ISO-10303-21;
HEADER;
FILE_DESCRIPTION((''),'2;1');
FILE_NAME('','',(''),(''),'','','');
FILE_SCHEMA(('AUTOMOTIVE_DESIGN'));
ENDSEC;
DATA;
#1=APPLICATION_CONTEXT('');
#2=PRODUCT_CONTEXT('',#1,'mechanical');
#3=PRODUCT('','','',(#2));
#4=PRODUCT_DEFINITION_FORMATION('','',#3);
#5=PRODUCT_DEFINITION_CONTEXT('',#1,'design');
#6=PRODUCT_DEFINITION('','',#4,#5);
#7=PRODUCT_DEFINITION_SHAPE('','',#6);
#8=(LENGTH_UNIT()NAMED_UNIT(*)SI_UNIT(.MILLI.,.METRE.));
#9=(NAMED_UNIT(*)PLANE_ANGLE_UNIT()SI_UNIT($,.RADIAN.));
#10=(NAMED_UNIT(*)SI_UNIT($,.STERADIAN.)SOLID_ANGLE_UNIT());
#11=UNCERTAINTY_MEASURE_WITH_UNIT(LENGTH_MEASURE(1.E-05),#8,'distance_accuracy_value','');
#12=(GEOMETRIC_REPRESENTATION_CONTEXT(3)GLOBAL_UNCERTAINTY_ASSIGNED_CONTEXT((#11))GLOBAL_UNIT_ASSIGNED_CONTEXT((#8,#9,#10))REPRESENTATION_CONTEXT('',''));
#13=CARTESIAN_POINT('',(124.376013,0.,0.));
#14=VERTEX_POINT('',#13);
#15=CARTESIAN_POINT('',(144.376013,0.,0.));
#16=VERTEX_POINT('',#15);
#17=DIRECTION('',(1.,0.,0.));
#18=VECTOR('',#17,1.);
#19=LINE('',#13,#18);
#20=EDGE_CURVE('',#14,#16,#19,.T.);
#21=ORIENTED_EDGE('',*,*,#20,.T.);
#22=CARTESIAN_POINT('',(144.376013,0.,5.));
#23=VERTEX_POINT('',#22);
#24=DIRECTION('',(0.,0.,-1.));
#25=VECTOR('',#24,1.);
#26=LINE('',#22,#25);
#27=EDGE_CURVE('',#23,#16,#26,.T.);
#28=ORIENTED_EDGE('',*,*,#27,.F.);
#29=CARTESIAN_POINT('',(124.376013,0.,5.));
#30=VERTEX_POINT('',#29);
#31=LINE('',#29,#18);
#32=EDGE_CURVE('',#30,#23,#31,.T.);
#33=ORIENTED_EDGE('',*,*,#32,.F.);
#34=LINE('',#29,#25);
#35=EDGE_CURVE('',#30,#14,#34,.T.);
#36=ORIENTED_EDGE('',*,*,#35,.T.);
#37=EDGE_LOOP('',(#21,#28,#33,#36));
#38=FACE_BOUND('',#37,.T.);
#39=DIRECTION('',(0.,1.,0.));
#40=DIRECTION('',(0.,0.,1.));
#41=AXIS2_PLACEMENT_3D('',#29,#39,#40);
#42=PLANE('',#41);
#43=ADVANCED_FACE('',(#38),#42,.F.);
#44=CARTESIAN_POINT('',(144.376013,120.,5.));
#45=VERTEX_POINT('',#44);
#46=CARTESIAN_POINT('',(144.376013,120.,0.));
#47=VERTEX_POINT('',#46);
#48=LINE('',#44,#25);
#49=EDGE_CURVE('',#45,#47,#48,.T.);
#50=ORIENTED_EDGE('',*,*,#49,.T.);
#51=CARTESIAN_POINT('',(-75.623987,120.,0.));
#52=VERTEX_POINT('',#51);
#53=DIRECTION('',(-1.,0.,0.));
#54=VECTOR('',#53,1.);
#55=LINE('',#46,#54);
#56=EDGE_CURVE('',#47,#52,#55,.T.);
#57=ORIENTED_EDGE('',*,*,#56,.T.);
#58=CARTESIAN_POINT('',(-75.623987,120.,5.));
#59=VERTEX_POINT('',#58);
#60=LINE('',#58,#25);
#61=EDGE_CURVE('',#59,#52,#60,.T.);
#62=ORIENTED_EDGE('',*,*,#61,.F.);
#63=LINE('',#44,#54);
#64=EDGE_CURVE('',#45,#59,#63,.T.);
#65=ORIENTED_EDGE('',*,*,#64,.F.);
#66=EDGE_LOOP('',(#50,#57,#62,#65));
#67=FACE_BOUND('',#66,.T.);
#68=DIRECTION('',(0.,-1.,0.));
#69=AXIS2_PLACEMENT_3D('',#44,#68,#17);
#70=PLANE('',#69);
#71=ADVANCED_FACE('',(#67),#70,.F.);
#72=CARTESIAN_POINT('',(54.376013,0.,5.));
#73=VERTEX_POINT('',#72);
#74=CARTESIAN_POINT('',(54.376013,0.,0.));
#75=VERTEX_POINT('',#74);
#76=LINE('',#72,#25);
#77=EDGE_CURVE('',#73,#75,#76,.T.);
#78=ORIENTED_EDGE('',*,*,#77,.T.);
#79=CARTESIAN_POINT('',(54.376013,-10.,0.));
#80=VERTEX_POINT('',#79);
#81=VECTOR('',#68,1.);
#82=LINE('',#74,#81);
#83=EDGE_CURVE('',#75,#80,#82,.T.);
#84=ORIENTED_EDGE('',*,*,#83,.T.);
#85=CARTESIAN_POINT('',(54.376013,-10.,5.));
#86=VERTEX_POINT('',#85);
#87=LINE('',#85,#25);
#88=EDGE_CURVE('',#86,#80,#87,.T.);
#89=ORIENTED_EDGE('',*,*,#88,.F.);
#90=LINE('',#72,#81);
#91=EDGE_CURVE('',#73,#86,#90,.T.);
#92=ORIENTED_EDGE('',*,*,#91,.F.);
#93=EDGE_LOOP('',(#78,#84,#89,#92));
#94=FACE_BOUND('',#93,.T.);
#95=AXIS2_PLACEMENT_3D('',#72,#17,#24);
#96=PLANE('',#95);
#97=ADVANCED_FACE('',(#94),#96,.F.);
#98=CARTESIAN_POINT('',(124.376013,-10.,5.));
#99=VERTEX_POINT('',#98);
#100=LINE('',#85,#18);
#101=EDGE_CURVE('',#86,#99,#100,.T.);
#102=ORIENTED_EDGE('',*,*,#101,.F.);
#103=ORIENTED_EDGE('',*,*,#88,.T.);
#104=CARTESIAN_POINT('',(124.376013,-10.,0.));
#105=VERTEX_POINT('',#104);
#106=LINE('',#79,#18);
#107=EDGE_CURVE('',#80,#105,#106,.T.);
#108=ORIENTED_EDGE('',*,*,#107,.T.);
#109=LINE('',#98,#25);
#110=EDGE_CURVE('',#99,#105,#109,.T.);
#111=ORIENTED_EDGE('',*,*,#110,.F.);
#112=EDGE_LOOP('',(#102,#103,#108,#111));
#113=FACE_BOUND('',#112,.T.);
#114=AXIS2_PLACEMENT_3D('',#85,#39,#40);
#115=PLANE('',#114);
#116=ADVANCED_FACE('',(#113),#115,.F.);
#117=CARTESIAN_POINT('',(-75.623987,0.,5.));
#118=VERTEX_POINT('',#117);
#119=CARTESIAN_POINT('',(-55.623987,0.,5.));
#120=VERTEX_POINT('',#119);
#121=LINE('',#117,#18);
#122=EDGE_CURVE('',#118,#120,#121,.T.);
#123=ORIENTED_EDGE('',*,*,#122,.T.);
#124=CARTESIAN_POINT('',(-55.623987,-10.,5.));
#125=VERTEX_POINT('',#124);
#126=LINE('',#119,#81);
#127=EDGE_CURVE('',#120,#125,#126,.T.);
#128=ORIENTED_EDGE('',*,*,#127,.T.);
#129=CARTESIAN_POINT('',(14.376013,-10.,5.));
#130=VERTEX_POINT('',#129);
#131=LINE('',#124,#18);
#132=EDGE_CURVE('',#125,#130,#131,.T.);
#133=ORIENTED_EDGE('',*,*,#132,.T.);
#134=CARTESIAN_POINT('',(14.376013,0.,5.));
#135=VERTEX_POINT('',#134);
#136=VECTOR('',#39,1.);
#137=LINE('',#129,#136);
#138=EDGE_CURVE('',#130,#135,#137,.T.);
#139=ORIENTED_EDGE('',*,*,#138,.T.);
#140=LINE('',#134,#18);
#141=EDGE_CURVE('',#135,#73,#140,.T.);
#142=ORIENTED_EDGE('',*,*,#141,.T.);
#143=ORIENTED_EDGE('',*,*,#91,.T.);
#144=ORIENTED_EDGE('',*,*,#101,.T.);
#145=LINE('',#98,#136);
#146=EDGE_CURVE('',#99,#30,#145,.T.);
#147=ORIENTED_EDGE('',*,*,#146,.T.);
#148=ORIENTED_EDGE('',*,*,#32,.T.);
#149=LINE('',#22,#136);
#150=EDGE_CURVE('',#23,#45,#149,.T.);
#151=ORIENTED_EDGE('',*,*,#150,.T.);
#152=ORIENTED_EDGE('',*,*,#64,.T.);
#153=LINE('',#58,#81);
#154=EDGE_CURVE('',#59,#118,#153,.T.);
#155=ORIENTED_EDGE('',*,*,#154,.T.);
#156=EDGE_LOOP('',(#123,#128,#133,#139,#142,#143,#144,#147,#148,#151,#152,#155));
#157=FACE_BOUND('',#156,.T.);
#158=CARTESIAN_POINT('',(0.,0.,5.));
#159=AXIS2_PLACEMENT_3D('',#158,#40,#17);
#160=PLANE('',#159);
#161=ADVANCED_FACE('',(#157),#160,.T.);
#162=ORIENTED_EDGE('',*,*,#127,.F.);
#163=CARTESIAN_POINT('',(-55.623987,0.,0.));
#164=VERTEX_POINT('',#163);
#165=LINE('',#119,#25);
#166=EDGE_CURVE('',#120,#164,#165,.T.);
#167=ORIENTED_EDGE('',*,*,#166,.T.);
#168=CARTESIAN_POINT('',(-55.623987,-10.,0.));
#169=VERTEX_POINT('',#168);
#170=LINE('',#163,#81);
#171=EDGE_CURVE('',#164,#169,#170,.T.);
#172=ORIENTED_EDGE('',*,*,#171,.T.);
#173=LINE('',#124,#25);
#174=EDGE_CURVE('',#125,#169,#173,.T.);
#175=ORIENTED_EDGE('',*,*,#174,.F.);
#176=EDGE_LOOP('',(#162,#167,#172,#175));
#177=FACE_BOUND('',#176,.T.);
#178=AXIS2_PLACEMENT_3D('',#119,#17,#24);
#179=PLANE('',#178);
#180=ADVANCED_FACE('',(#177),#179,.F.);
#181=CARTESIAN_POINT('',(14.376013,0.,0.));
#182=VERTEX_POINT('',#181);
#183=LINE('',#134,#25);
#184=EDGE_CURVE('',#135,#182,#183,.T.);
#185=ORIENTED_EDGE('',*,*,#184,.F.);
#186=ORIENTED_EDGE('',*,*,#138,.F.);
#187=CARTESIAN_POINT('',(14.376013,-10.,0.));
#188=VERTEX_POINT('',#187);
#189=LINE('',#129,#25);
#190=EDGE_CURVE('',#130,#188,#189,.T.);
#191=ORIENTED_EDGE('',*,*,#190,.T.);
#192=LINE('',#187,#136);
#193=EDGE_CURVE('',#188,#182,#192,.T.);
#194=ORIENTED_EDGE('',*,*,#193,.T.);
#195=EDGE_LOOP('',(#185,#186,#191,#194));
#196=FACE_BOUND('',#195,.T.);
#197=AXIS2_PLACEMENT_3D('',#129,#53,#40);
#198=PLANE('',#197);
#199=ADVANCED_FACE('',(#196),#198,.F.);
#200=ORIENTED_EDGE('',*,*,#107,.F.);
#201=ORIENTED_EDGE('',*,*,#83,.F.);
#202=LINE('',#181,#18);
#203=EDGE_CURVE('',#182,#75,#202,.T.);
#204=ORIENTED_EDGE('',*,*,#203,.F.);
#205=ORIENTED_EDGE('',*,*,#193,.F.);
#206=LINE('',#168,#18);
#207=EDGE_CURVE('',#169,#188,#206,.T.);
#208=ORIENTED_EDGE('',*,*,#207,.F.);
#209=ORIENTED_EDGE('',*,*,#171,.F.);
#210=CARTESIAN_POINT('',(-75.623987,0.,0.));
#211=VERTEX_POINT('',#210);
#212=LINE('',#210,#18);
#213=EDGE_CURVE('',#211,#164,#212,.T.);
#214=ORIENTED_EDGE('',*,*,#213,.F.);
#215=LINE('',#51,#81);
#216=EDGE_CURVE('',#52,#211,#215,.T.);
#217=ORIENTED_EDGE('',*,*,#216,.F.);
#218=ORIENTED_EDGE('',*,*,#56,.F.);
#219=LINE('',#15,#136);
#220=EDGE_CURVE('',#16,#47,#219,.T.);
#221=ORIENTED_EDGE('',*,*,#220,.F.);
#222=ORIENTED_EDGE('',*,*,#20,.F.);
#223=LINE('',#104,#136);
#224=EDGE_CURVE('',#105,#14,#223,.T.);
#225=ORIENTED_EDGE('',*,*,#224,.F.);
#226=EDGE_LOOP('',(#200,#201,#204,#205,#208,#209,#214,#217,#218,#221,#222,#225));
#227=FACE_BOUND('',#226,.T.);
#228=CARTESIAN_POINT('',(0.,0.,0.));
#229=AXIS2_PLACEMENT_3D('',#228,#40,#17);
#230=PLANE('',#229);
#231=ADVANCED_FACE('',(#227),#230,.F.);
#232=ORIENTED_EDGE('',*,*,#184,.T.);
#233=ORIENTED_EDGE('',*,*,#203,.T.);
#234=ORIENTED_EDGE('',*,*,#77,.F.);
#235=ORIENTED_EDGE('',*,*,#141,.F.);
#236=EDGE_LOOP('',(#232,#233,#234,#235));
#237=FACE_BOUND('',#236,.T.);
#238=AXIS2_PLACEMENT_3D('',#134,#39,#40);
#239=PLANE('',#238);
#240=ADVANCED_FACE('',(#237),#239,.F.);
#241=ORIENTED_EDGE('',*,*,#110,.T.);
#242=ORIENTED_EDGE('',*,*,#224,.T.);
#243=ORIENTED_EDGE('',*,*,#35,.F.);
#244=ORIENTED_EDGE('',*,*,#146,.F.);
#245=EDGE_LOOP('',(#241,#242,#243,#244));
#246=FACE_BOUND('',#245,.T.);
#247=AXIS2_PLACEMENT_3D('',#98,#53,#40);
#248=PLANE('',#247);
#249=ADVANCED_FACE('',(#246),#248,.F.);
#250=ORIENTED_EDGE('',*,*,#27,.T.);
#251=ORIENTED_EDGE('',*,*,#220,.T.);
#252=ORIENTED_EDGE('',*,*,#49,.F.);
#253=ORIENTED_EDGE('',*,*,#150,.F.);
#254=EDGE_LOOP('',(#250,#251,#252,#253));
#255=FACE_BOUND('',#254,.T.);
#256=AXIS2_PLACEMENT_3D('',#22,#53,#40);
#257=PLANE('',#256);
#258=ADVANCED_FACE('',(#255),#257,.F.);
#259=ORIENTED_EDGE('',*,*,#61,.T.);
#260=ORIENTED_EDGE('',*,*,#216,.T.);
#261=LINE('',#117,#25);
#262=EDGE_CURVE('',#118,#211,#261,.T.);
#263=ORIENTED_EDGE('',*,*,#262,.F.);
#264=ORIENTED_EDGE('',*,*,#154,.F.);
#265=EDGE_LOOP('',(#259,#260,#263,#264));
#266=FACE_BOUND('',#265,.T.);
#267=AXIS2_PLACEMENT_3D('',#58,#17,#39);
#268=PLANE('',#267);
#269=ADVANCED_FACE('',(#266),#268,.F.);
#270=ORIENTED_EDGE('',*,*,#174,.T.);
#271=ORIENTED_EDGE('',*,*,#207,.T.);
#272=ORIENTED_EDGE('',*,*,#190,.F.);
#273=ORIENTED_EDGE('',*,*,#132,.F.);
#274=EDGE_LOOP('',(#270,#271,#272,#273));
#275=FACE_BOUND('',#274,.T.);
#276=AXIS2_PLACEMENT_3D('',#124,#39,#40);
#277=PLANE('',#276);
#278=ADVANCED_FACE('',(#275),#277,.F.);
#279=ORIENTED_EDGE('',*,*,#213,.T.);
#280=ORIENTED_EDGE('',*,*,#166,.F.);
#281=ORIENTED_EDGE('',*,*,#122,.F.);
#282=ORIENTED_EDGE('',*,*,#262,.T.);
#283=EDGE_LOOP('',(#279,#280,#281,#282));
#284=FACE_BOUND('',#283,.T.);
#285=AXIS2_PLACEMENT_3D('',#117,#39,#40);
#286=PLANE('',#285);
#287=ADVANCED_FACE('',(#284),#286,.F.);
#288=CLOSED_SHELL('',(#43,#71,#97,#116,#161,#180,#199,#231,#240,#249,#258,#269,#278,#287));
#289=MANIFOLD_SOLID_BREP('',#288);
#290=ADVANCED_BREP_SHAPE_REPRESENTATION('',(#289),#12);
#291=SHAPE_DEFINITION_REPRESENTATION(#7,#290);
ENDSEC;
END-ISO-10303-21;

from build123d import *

# Parameters (mm, degrees)
BOSS_EXTRU_1_DEPTH = 5


with BuildPart() as part:
    # Esquisse1 → Boss.-Extru.1 (new body)
    with BuildSketch(Plane.XY):
        Polygon((-75.623987034, 0), (-55.623987034, 0), (-55.623987034, -10), (14.376012966, -10), (14.376012966, 0), (54.376012966, 0), (54.376012966, -10), (124.376012966, -10), (124.376012966, 0), (144.376012966, 0), (144.376012966, 120), (-75.623987034, 120), align=None)
    extrude(amount=BOSS_EXTRU_1_DEPTH)


solid = part.part
